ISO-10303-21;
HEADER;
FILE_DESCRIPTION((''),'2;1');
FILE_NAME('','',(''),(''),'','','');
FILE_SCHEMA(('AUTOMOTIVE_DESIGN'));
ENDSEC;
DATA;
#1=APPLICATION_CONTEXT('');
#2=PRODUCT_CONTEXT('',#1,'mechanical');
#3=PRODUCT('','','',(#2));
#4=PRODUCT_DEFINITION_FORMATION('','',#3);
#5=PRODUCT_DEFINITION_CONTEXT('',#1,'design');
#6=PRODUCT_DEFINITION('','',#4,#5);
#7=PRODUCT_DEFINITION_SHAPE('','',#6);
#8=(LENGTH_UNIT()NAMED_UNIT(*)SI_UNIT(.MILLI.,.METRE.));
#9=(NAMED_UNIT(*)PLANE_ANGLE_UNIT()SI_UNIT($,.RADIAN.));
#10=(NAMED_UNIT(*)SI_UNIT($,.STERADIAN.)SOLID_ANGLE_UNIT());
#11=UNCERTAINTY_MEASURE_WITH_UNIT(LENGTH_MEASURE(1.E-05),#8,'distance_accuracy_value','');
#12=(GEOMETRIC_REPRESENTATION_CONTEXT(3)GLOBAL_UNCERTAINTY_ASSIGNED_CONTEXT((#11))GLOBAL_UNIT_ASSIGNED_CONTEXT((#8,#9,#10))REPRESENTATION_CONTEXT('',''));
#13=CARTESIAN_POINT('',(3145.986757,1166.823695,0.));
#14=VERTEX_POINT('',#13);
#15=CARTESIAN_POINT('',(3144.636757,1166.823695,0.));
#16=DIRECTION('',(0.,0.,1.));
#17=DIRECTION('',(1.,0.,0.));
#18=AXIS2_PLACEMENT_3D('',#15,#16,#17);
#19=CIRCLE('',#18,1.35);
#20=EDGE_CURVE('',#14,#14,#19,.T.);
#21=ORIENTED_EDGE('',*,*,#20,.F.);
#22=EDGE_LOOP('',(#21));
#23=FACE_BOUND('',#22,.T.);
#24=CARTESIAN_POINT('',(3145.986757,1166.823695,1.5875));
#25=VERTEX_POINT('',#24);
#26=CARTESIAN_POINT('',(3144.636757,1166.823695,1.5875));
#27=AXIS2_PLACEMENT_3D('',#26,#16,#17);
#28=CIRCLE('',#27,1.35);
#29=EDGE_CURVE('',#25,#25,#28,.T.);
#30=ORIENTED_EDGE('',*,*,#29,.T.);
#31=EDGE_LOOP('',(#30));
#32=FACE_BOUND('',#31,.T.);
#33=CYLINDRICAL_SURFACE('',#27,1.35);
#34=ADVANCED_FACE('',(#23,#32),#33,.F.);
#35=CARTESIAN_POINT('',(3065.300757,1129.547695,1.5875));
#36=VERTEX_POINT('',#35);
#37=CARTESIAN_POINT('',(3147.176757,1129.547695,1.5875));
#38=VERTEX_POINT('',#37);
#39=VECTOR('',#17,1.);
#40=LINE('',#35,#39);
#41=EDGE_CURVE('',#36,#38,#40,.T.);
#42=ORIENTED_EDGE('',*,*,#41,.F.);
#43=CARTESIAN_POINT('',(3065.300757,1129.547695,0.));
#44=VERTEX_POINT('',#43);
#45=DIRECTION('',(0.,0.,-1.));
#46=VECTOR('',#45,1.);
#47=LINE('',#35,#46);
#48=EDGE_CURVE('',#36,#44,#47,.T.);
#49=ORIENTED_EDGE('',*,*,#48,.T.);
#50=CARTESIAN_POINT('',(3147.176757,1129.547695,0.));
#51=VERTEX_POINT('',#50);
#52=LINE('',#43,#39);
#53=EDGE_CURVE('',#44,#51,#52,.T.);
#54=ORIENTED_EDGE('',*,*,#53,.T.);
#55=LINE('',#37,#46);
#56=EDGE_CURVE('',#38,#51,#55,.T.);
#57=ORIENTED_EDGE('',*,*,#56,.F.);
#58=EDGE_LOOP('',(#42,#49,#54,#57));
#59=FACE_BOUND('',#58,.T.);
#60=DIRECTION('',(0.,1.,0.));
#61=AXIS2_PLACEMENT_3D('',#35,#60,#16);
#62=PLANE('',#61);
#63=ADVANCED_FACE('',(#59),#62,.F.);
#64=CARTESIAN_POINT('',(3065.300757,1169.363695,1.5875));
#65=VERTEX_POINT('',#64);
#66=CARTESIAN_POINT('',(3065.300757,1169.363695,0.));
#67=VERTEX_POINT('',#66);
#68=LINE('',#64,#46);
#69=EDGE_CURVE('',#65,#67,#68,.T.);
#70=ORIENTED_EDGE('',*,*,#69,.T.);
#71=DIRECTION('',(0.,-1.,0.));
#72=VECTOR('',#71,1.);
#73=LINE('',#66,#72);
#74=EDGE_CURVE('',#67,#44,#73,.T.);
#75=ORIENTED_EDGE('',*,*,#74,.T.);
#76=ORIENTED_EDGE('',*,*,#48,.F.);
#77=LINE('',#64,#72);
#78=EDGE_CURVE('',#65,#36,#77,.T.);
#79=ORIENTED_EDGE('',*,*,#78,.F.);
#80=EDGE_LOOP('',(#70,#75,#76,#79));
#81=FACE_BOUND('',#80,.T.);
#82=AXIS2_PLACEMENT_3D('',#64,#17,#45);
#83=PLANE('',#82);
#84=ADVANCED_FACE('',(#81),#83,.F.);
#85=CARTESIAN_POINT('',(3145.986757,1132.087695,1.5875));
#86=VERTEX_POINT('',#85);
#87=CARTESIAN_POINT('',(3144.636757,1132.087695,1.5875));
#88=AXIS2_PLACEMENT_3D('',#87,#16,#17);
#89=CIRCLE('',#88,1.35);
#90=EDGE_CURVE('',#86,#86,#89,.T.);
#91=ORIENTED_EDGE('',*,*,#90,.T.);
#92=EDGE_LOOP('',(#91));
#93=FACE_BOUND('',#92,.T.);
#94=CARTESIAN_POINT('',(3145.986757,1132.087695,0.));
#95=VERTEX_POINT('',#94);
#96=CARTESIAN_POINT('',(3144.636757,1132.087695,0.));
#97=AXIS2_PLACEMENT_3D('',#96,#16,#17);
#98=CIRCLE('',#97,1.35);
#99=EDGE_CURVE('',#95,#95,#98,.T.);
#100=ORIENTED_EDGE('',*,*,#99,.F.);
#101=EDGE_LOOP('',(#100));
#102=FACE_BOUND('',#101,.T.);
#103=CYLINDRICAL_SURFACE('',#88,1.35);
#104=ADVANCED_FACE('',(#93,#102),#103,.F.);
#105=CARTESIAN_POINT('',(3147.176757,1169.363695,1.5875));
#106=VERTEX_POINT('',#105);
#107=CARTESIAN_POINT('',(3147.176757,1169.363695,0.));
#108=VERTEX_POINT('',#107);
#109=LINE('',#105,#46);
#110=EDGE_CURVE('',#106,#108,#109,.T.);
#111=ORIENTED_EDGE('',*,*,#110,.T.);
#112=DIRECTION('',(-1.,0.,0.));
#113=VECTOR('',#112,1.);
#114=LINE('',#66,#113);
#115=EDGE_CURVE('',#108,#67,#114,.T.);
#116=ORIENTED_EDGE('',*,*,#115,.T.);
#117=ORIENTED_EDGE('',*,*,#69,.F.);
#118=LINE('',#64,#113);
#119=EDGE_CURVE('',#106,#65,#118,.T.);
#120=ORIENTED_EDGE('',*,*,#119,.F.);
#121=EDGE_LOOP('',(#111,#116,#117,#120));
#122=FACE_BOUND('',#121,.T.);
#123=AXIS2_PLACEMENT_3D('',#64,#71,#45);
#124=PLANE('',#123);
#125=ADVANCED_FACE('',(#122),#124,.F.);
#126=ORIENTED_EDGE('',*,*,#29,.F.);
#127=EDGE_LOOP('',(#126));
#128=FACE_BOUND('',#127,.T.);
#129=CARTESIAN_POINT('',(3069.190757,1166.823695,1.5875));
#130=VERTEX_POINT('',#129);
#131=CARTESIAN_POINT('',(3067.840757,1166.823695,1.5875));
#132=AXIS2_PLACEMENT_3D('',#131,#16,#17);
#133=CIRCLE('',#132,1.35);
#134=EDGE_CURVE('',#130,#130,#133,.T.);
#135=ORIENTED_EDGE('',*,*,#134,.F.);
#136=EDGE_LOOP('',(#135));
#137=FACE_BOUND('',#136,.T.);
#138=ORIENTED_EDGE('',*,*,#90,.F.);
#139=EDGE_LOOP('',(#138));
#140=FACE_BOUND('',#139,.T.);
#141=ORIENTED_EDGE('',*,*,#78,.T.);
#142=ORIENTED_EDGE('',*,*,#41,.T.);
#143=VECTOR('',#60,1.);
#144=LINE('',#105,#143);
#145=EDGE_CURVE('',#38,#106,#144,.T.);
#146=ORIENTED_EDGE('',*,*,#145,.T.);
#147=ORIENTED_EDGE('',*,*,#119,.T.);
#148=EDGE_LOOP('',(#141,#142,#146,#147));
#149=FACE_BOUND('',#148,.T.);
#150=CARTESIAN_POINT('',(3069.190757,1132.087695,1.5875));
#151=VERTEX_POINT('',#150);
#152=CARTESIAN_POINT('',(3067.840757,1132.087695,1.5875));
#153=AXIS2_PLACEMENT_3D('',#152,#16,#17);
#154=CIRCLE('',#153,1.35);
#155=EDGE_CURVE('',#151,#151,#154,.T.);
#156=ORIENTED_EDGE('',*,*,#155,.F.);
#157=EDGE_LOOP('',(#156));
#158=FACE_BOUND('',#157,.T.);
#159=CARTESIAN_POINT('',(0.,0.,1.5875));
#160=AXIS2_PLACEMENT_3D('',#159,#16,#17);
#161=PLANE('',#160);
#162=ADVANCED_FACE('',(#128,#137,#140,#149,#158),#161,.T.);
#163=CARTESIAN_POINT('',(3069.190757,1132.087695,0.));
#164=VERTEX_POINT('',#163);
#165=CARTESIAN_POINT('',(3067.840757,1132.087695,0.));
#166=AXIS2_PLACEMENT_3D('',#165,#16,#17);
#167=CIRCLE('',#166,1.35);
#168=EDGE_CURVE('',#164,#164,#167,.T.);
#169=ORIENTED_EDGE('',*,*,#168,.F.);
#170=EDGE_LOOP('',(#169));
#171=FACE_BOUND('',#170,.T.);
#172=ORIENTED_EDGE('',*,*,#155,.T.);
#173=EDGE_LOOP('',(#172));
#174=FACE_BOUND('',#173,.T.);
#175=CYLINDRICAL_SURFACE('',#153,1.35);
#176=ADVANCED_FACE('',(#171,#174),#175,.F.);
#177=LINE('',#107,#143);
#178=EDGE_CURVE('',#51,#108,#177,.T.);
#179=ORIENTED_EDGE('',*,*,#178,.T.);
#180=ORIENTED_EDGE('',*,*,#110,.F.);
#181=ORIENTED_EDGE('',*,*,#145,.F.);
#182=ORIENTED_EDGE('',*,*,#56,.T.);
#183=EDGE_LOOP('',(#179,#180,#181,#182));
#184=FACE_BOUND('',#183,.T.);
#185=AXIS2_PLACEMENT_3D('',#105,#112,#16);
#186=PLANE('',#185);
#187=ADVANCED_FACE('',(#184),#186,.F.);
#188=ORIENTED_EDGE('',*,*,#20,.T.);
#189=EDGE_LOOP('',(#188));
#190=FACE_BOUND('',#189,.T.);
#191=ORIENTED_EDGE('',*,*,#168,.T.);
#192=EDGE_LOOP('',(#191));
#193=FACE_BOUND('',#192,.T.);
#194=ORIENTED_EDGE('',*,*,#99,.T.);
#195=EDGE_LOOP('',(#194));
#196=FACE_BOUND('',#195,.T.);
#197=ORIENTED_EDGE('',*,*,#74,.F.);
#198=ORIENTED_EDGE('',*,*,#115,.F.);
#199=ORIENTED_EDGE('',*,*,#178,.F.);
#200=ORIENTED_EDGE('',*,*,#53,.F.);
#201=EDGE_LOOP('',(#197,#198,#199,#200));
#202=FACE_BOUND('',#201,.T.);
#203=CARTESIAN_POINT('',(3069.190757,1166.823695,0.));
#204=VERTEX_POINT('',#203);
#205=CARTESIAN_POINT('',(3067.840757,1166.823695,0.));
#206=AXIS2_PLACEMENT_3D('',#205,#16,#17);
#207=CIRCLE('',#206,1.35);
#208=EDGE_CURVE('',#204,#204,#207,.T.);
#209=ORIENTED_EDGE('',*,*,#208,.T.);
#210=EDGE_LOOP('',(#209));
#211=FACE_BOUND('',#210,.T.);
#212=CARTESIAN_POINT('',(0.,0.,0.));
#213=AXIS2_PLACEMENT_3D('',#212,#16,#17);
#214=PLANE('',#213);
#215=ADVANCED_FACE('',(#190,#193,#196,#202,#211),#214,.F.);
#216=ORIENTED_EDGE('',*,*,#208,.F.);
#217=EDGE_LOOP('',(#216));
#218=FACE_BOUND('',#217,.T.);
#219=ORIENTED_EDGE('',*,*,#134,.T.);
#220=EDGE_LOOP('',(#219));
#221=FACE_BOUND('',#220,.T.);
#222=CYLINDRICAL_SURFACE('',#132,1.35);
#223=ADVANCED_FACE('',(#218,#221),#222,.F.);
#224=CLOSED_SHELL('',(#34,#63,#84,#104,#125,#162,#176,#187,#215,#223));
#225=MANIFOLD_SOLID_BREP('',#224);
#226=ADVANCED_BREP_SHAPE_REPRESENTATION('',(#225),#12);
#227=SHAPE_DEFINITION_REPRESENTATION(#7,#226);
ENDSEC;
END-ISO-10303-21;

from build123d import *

# Parameters (mm, degrees)
SKETCH1_W                  = 81.876
SKETCH1_H                  = 39.816
BOSS_EXTRUDE1_DEPTH        = 1.5875
F_2_7_2_7_DIAMETER_HOLE1_D = 2.7


with BuildPart() as part:
    # Sketch1 → Boss-Extrude1 (new body)
    with BuildSketch(Plane.XY):
        with Locations((3106.238757164, 1149.455694712)):
            Rectangle(SKETCH1_W, SKETCH1_H)
    extrude(amount=BOSS_EXTRUDE1_DEPTH)

    # Ø2.7 (2.7) Diameter Hole1 (through all)
    with Locations(Plane.XY.offset(1.5875)):
        with Locations((3144.636757164, 1132.087694712), (3067.840757164, 1132.087694712), (3144.636757164, 1166.823694712), (3067.840757164, 1166.823694712)):
            Hole(F_2_7_2_7_DIAMETER_HOLE1_D / 2)


solid = part.part
